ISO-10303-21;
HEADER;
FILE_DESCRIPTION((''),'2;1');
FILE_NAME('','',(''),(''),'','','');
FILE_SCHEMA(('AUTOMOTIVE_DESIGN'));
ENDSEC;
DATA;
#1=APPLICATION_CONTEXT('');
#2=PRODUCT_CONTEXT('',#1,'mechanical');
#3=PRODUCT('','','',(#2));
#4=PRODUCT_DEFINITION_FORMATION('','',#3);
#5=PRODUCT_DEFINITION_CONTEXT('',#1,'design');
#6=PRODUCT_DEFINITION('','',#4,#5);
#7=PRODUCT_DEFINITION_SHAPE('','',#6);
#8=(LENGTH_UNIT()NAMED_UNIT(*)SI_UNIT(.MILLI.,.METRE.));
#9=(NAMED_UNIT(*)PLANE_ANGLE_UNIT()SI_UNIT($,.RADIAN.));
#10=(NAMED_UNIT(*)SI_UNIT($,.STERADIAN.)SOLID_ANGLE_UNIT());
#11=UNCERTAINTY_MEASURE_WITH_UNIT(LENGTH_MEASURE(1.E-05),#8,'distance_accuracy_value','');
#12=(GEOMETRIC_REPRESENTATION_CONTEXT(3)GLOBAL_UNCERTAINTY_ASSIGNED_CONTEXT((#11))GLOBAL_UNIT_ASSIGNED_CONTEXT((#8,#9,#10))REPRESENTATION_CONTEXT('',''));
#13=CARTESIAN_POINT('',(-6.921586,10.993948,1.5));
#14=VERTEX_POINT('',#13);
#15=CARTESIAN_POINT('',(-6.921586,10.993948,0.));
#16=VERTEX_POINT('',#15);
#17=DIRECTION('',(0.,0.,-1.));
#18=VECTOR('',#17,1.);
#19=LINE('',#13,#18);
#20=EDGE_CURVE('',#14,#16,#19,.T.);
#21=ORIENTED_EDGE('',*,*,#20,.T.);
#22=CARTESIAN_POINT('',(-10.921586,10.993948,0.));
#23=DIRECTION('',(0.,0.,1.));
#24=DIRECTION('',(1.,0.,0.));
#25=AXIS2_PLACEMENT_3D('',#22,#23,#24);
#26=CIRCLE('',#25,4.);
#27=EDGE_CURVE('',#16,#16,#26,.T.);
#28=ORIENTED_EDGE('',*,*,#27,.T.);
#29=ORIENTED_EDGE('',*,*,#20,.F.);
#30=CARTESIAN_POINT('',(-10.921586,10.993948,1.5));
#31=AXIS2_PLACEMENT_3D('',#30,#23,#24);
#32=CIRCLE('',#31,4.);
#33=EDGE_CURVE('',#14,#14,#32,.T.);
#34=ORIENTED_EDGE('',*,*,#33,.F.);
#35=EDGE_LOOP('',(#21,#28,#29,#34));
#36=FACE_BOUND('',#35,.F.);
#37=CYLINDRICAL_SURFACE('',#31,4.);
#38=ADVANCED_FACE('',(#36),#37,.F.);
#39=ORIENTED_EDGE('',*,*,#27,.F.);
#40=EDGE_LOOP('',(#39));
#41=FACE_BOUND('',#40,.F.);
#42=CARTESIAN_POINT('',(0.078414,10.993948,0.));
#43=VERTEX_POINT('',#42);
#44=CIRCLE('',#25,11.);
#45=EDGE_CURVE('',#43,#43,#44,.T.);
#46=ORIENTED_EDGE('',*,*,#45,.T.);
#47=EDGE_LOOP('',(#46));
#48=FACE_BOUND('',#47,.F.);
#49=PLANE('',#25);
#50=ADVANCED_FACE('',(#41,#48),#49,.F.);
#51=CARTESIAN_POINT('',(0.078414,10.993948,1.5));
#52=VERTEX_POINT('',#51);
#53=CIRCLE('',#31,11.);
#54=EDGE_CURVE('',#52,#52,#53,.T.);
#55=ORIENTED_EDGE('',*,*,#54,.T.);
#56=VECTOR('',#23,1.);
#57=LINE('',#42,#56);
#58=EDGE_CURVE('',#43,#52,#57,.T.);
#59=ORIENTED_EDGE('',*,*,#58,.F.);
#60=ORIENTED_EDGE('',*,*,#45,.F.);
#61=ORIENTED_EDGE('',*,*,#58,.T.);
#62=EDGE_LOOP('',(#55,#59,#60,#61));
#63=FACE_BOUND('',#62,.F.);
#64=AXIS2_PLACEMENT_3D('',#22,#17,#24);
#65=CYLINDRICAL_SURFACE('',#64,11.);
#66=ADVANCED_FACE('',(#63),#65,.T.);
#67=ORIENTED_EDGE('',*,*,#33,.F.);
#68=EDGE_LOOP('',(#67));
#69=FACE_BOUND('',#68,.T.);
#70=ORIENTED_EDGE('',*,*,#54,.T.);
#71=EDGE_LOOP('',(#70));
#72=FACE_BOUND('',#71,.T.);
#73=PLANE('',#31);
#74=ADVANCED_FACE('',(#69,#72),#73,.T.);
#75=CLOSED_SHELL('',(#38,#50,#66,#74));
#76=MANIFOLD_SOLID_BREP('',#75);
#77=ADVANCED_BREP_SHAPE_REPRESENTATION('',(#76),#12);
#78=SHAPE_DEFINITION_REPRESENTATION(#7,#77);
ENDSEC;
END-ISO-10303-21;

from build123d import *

# Parameters (mm, degrees)
F0_R     = 11
F1_DEPTH = 1.5
F2_R     = 4
F3_DEPTH = 25


with BuildPart() as f1:
    # F0 (on Top) → F1 (new body)
    with BuildSketch(Plane.XY):
        with Locations((-33.321586, 31.793948)):
            Circle(F0_R)
    extrude(amount=F1_DEPTH)

    # F2 (on face) → F3 (cut)
    with BuildSketch(Plane.XY.offset(1.5)):
        with Locations((-33.321586, 31.793948)):
            Circle(F2_R)
    extrude(amount=-F3_DEPTH, mode=Mode.SUBTRACT)


with BuildPart() as f1_1:
    # F4: moved
    add(f1.part.moved(Location((22.4, -20.8, 0))))


solid = f1_1.part
